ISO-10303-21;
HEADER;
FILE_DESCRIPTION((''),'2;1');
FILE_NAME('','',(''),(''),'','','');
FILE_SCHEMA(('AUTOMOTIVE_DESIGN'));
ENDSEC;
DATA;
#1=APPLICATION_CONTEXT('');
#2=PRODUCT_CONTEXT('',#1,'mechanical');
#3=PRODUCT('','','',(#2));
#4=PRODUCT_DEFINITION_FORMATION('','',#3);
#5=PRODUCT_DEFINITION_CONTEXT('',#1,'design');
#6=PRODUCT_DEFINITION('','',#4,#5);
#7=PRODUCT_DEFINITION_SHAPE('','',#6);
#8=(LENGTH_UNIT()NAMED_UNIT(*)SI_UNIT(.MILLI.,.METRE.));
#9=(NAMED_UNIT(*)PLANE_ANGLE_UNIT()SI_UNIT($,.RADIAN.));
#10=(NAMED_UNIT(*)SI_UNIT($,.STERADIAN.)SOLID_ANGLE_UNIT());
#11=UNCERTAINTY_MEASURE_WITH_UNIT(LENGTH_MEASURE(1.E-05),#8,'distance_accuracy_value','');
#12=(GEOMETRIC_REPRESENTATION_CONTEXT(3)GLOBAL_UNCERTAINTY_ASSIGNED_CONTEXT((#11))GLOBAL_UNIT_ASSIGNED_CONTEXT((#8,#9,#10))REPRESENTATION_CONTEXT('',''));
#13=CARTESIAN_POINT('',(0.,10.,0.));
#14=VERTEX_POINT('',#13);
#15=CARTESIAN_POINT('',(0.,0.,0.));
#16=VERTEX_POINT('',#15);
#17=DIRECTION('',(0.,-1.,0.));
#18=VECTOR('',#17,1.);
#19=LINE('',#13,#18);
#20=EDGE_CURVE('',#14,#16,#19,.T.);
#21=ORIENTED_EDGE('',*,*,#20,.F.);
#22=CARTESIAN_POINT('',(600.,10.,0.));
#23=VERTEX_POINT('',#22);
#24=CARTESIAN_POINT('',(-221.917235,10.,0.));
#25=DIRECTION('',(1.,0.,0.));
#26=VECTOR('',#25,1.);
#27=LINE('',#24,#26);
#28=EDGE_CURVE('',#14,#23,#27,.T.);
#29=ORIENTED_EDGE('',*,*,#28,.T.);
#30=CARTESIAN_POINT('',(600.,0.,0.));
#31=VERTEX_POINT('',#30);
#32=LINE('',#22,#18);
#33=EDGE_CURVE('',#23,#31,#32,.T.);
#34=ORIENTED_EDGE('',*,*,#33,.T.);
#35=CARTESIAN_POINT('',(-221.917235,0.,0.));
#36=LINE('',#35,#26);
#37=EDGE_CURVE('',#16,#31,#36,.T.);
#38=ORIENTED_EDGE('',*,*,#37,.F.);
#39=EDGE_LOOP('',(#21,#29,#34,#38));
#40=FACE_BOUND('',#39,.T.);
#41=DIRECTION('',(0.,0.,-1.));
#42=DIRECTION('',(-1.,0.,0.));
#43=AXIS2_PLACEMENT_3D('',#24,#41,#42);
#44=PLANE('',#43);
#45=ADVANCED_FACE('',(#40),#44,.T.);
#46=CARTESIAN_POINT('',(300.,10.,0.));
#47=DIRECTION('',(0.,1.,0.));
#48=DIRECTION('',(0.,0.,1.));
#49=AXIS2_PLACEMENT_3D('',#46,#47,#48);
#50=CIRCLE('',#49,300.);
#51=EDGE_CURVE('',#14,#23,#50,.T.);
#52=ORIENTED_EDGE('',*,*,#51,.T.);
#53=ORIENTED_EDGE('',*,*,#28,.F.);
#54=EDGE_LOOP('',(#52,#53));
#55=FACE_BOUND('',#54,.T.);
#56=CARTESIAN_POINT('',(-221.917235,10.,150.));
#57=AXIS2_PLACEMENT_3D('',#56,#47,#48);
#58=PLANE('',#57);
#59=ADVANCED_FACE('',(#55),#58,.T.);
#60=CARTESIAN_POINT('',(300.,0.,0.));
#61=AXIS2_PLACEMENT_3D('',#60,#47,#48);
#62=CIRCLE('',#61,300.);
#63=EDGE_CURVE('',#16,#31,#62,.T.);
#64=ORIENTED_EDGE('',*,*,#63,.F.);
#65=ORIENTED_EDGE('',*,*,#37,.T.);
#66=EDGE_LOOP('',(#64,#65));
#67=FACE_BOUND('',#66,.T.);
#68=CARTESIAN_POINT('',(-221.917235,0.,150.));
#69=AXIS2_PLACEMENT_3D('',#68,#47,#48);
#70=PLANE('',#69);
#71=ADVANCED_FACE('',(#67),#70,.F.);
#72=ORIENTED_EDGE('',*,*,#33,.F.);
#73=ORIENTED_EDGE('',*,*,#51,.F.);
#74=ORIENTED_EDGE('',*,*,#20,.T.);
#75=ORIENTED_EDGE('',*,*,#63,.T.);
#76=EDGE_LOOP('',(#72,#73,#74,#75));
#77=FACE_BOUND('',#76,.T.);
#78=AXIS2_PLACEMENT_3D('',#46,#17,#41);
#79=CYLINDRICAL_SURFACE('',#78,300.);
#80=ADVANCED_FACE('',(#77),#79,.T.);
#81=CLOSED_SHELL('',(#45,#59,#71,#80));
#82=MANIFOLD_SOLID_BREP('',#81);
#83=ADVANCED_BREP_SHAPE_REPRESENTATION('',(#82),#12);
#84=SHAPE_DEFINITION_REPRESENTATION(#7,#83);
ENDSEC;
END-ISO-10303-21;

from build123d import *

# Parameters (mm, degrees)
EXTRUSION1_DEPTH = 10


with BuildPart() as part:
    # Esquisse1 → Extrusion1 (new body)
    with BuildSketch(Plane(origin=(0, 0, 0), x_dir=(1, 0, 0), z_dir=(0, 1, 0))):
        with BuildLine():
            Line((0, 0), (600, 0))
            ThreePointArc((600, 0), (300, -300), (0, 0))
        make_face()
    extrude(amount=EXTRUSION1_DEPTH)


solid = part.part
